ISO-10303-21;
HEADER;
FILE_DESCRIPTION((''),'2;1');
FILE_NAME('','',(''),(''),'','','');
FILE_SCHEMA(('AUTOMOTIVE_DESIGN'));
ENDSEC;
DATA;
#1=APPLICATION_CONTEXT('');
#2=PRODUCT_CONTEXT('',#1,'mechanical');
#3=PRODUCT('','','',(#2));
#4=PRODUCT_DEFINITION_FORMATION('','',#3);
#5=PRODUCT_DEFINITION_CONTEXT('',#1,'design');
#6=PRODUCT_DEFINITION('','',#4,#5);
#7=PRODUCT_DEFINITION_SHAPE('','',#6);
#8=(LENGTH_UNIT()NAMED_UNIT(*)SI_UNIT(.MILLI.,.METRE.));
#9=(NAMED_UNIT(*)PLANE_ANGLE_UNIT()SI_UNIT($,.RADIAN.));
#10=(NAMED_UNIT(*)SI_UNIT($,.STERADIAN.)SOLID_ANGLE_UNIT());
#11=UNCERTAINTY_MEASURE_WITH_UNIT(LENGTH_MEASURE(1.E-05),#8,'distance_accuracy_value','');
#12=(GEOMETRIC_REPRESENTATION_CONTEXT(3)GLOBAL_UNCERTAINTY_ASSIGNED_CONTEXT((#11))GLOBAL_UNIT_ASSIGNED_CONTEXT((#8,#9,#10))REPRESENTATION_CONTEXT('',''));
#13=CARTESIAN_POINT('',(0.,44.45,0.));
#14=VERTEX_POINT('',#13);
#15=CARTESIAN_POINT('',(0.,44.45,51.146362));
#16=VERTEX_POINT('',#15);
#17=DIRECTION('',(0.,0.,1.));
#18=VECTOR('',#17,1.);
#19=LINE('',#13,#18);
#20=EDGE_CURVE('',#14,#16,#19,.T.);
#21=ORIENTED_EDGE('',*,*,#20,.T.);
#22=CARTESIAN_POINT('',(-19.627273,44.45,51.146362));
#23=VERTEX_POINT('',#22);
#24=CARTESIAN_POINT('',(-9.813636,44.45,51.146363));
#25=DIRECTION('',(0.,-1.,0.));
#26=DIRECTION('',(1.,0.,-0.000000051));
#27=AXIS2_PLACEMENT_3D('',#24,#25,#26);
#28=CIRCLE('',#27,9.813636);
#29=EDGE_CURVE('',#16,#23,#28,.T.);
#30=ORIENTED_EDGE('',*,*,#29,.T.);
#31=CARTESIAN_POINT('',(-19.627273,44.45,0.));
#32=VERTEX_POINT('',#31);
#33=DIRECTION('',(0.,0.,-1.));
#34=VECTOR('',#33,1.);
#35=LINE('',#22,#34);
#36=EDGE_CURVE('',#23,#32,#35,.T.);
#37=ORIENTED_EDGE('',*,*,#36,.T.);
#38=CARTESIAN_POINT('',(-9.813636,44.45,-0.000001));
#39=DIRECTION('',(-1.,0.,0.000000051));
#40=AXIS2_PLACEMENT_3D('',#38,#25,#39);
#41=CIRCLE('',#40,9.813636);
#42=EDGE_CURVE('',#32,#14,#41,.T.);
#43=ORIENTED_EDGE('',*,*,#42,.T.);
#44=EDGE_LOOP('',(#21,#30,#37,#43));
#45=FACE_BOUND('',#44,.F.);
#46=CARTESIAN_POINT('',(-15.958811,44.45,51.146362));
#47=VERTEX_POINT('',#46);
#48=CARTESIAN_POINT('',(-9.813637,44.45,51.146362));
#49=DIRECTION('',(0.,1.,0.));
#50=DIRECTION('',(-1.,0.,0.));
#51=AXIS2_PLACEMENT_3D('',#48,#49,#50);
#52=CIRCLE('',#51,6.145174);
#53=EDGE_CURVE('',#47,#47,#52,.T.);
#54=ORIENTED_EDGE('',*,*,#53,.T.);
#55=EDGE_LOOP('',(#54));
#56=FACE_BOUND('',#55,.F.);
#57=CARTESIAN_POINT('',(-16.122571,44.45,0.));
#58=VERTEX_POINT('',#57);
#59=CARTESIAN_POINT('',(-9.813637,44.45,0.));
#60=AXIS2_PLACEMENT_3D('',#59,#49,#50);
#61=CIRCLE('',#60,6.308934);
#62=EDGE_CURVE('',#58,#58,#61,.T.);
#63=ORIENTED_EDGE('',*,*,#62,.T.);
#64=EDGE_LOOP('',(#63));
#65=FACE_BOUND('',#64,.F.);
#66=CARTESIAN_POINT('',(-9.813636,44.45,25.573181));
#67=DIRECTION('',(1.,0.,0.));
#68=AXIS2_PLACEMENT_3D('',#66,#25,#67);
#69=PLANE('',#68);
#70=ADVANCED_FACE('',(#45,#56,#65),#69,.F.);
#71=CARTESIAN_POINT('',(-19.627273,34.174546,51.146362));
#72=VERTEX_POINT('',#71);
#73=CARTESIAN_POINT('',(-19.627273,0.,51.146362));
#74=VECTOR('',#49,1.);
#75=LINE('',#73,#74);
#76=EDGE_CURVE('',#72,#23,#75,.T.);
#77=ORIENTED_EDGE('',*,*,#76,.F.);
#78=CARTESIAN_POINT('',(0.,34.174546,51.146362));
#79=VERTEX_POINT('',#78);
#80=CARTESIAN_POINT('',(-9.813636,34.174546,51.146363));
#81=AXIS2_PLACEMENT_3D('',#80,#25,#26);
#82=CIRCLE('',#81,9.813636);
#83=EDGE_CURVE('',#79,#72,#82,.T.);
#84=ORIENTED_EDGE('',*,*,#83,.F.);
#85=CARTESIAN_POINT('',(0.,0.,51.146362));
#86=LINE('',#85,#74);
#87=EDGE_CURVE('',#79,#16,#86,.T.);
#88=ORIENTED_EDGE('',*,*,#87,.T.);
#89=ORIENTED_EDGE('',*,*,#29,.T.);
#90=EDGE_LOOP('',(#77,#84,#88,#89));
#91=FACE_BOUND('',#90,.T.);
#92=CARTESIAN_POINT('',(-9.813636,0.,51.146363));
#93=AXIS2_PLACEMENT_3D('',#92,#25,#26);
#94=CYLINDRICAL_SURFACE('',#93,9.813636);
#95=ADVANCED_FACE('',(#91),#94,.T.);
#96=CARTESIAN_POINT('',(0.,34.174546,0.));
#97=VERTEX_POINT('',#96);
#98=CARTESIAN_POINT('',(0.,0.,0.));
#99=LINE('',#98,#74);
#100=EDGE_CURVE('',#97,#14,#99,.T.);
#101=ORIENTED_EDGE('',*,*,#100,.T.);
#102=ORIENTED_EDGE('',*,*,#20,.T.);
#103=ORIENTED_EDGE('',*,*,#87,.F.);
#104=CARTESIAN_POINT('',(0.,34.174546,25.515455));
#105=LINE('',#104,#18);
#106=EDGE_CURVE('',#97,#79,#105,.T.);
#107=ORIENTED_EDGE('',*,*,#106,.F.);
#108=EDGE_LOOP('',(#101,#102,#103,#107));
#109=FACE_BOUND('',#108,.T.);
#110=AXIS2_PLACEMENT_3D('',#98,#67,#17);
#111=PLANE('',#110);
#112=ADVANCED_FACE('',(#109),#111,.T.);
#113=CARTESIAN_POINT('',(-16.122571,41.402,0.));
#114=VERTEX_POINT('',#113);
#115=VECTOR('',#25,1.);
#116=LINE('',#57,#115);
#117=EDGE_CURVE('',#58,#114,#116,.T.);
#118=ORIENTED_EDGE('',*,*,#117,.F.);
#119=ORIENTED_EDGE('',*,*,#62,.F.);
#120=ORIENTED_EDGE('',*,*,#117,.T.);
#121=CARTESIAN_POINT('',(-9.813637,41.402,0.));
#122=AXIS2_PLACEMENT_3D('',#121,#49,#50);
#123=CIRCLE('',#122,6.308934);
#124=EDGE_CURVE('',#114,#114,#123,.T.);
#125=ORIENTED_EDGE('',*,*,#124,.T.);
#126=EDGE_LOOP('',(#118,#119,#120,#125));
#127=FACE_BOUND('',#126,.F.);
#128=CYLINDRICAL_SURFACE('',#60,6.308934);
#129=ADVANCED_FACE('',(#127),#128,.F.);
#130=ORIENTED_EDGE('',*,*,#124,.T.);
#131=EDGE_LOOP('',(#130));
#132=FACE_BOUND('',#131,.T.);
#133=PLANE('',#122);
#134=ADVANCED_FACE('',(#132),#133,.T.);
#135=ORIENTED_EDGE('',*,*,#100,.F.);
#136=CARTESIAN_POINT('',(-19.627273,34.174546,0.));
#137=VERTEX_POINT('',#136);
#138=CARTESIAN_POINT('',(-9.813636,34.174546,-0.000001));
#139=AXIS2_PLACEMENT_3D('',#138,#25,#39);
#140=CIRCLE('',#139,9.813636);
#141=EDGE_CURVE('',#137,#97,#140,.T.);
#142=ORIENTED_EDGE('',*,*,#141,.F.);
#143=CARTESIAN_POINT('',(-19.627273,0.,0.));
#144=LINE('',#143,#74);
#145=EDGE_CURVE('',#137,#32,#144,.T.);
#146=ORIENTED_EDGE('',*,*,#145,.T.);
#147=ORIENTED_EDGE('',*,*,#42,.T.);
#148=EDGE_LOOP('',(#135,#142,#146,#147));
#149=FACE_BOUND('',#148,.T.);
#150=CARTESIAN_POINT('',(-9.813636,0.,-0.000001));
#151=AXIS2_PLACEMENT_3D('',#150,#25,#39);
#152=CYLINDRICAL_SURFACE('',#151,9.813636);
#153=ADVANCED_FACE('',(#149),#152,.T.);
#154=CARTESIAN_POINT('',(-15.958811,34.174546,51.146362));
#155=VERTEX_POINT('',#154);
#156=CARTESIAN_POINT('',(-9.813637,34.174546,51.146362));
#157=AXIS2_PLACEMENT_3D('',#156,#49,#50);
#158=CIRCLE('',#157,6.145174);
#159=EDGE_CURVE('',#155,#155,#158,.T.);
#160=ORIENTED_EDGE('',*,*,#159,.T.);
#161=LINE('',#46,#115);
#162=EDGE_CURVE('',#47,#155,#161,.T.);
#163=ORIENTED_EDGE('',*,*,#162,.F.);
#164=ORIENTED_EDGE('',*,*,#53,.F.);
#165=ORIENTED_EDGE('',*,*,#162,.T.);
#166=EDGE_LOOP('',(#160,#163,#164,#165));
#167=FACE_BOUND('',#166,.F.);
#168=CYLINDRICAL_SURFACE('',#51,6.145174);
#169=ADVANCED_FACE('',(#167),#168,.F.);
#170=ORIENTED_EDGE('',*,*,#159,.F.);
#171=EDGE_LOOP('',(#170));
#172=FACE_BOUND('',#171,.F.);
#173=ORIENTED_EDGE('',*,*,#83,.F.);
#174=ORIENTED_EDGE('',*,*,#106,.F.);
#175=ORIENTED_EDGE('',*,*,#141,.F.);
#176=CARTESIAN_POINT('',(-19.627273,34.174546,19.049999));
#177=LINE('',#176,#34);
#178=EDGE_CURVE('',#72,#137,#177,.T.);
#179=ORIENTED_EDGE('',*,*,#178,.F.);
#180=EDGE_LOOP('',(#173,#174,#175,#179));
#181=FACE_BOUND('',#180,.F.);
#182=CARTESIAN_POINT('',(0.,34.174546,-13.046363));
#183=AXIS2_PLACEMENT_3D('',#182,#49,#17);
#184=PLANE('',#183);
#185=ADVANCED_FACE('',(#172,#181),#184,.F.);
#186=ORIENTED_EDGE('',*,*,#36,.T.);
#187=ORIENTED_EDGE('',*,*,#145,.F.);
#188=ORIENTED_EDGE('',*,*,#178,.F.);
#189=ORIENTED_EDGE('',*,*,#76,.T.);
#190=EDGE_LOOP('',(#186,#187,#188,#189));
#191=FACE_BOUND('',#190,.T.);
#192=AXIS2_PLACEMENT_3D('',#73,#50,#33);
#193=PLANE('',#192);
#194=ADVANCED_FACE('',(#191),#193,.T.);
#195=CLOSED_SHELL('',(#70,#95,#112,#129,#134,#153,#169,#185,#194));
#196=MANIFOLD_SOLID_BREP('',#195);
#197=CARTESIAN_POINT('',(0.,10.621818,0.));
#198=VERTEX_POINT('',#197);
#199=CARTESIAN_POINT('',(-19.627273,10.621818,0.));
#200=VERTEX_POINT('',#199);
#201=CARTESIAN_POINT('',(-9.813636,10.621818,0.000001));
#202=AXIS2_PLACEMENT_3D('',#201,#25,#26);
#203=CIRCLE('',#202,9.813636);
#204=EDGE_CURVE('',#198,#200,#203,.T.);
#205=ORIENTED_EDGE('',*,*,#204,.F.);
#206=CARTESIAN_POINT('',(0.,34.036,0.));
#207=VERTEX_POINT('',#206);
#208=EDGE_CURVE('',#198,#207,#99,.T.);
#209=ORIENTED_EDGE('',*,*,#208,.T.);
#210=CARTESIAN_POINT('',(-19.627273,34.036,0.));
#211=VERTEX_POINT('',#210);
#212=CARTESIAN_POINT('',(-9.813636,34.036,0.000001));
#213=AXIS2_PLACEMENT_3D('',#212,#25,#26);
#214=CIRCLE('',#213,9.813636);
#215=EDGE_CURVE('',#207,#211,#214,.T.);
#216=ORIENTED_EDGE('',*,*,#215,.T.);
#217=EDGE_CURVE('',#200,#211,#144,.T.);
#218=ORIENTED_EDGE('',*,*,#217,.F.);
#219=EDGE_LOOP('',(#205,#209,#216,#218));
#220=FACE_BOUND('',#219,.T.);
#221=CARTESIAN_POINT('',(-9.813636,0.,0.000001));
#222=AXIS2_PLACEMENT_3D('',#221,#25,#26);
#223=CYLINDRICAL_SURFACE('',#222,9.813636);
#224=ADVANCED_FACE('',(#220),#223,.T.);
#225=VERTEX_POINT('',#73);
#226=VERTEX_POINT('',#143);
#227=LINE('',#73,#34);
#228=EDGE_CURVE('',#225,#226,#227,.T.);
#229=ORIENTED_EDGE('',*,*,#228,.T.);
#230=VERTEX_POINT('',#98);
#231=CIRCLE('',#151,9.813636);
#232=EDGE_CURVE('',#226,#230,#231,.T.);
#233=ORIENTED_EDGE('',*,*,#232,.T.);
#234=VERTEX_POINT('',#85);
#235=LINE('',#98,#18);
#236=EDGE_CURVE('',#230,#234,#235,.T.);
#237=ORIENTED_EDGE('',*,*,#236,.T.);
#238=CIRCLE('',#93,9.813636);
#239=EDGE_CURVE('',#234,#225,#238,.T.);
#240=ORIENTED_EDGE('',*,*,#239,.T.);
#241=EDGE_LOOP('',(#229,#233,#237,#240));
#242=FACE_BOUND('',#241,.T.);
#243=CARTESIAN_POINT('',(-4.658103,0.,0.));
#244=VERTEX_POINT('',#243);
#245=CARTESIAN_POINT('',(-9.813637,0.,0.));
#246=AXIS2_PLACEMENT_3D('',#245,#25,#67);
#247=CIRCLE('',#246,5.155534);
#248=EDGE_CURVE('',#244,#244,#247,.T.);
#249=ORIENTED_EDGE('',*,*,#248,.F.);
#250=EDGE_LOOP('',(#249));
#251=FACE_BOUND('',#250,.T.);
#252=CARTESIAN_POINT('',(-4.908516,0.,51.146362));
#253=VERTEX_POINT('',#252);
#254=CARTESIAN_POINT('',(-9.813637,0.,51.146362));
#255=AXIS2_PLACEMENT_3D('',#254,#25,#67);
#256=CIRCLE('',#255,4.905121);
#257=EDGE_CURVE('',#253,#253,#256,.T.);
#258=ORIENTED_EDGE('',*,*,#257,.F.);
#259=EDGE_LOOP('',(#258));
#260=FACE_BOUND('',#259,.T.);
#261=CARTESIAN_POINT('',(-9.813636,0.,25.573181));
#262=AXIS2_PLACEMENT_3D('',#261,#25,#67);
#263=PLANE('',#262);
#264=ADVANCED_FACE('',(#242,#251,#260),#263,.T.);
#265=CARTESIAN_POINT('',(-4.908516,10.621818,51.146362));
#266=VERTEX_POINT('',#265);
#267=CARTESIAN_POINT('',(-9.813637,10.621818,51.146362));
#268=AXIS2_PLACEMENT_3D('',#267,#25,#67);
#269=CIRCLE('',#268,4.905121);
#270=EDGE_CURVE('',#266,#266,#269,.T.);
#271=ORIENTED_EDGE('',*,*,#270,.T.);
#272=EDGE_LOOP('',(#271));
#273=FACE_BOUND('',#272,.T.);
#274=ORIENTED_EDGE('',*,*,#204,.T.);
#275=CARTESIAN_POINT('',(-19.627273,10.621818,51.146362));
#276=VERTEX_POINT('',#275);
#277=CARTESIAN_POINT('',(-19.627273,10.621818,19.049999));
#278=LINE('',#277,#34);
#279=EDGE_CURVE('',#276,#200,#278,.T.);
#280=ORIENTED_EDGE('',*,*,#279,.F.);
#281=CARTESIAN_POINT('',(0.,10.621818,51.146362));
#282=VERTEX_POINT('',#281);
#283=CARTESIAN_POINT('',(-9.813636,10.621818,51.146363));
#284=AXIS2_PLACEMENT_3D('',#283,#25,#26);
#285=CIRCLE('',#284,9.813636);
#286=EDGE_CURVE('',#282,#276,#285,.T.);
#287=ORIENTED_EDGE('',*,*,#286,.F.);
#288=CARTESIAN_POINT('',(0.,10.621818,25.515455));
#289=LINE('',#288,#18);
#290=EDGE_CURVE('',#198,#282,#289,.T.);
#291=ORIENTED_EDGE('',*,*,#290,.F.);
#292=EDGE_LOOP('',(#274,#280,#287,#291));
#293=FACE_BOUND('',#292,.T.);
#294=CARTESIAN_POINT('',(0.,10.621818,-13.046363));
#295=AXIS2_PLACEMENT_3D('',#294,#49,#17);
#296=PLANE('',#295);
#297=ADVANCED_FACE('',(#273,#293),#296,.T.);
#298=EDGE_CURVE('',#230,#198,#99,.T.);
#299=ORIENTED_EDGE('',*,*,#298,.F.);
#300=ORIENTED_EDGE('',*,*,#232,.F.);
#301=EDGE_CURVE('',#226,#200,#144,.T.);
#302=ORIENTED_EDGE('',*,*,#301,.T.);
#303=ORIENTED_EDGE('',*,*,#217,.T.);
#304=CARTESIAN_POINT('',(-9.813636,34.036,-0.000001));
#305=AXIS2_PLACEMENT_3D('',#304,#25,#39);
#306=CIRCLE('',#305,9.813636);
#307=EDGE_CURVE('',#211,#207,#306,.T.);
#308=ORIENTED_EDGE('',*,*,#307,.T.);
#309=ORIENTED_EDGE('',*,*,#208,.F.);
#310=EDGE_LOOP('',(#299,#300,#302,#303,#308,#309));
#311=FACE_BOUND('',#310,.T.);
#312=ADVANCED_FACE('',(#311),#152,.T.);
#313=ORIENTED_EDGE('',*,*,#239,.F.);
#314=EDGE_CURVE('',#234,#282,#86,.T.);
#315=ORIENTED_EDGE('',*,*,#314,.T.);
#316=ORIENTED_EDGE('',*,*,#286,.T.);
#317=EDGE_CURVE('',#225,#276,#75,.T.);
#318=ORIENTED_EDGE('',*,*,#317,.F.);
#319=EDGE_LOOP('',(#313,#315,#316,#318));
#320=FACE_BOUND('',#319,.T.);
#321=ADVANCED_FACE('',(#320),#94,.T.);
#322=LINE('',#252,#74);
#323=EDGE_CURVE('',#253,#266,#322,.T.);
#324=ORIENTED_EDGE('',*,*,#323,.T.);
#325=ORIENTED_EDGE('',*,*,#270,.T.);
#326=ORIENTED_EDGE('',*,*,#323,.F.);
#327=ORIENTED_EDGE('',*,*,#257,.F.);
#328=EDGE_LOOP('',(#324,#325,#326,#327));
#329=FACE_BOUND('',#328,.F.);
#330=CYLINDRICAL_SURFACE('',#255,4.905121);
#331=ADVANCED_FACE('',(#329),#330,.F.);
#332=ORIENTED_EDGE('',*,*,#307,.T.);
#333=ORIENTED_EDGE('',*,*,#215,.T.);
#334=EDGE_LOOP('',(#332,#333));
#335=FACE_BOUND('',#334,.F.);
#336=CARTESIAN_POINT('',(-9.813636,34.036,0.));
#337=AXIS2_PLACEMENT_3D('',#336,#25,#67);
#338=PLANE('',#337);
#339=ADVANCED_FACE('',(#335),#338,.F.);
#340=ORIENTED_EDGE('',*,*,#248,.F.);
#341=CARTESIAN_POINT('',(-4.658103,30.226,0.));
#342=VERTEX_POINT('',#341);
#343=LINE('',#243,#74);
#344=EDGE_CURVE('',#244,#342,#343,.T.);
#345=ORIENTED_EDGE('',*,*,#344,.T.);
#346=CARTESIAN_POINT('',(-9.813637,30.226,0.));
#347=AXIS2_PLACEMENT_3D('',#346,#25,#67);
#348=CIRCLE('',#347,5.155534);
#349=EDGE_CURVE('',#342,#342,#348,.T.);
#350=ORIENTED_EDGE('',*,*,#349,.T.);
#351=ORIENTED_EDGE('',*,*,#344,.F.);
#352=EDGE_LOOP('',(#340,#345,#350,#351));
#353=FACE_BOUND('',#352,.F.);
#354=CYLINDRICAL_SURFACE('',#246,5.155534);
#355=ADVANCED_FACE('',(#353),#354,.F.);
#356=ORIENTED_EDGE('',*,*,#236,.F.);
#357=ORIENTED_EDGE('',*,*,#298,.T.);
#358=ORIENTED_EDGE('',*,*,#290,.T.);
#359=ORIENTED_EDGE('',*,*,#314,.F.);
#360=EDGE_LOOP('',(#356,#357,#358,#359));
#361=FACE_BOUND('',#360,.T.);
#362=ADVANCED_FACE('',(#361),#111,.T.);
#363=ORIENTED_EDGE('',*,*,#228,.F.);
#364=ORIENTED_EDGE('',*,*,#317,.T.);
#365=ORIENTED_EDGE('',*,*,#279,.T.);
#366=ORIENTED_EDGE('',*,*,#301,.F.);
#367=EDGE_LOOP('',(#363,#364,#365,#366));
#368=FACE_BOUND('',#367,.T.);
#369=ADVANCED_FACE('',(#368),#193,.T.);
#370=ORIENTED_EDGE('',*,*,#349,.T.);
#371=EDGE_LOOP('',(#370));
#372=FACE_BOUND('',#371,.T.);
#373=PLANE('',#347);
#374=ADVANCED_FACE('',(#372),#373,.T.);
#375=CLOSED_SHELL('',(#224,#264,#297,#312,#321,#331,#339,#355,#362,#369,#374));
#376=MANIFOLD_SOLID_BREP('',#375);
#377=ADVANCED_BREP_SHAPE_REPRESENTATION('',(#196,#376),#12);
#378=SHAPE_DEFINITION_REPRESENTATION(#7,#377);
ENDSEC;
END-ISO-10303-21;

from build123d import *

# Parameters (mm, degrees)
F1_DEPTH  = 44.45
F2_W      = 23.552729
F2_H      = 77.123636
F3_DEPTH  = 101.6
F4_R      = 4.905121
F5_DEPTH  = 74.93
F7_DEPTH  = 34.036
F8_R      = 5.155534
F9_DEPTH  = 30.226
F10_R     = 6.145174
F10_R_2   = 4.905121
F11_DEPTH = 23.622
F12_R     = 6.308934
F13_DEPTH = 3.048


with BuildPart() as f1:
    # F0 (on Front) → F1 (new body)
    with BuildSketch(Plane.XZ):
        with BuildLine():
            ThreePointArc((-19.627273, 0), (-9.813637, -9.813637), (0, 0))
            Line((0, 0), (0, 51.146362))
            ThreePointArc((0, 51.146362), (-9.813637, 60.959999), (-19.627273, 51.146362))
            Line((-19.627273, 51.146362), (-19.627273, 0))
        make_face()
    extrude(amount=-F1_DEPTH)

    # F2 (on Right) → F3 (cut)
    with BuildSketch(Plane.YZ):
        with Locations((22.398182, 25.515455)):
            Rectangle(F2_W, F2_H)
    extrude(amount=-F3_DEPTH, mode=Mode.SUBTRACT)

    # F4 (on face) → F5 (cut)
    with BuildSketch(Plane.XZ):
        with Locations((-9.813637, 51.146362)):
            Circle(F4_R)
    extrude(amount=-F5_DEPTH, mode=Mode.SUBTRACT)

    # F6 (on face) → F7 (join)
    with BuildSketch(Plane.XZ):
        with BuildLine():
            ThreePointArc((-19.627273, 0), (-9.813637, -9.813637), (0, 0))
            ThreePointArc((0, 0), (-9.813637, 9.813637), (-19.627273, 0))
        make_face()
    extrude(amount=-F7_DEPTH)

    # F8 (on face) → F9 (cut)
    with BuildSketch(Plane.XZ):
        with Locations((-9.813637, 0)):
            Circle(F8_R)
    extrude(amount=-F9_DEPTH, mode=Mode.SUBTRACT)

    # F10 (on face) → F11 (cut)
    with BuildSketch(Plane(origin=(0, 44.45, 0), x_dir=(-1, 0, 0), z_dir=(0, 1, 0))):
        with Locations((9.813637, 51.146362)):
            Circle(F10_R)
        with Locations((9.813637, 51.146362)):
            Circle(F10_R_2, mode=Mode.SUBTRACT)
    extrude(amount=-F11_DEPTH, mode=Mode.SUBTRACT)

    # F12 (on face) → F13 (cut)
    with BuildSketch(Plane(origin=(0, 44.45, 0), x_dir=(-1, 0, 0), z_dir=(0, 1, 0))):
        with Locations((9.813637, 0)):
            Circle(F12_R)
    extrude(amount=-F13_DEPTH, mode=Mode.SUBTRACT)


solid = f1.part
